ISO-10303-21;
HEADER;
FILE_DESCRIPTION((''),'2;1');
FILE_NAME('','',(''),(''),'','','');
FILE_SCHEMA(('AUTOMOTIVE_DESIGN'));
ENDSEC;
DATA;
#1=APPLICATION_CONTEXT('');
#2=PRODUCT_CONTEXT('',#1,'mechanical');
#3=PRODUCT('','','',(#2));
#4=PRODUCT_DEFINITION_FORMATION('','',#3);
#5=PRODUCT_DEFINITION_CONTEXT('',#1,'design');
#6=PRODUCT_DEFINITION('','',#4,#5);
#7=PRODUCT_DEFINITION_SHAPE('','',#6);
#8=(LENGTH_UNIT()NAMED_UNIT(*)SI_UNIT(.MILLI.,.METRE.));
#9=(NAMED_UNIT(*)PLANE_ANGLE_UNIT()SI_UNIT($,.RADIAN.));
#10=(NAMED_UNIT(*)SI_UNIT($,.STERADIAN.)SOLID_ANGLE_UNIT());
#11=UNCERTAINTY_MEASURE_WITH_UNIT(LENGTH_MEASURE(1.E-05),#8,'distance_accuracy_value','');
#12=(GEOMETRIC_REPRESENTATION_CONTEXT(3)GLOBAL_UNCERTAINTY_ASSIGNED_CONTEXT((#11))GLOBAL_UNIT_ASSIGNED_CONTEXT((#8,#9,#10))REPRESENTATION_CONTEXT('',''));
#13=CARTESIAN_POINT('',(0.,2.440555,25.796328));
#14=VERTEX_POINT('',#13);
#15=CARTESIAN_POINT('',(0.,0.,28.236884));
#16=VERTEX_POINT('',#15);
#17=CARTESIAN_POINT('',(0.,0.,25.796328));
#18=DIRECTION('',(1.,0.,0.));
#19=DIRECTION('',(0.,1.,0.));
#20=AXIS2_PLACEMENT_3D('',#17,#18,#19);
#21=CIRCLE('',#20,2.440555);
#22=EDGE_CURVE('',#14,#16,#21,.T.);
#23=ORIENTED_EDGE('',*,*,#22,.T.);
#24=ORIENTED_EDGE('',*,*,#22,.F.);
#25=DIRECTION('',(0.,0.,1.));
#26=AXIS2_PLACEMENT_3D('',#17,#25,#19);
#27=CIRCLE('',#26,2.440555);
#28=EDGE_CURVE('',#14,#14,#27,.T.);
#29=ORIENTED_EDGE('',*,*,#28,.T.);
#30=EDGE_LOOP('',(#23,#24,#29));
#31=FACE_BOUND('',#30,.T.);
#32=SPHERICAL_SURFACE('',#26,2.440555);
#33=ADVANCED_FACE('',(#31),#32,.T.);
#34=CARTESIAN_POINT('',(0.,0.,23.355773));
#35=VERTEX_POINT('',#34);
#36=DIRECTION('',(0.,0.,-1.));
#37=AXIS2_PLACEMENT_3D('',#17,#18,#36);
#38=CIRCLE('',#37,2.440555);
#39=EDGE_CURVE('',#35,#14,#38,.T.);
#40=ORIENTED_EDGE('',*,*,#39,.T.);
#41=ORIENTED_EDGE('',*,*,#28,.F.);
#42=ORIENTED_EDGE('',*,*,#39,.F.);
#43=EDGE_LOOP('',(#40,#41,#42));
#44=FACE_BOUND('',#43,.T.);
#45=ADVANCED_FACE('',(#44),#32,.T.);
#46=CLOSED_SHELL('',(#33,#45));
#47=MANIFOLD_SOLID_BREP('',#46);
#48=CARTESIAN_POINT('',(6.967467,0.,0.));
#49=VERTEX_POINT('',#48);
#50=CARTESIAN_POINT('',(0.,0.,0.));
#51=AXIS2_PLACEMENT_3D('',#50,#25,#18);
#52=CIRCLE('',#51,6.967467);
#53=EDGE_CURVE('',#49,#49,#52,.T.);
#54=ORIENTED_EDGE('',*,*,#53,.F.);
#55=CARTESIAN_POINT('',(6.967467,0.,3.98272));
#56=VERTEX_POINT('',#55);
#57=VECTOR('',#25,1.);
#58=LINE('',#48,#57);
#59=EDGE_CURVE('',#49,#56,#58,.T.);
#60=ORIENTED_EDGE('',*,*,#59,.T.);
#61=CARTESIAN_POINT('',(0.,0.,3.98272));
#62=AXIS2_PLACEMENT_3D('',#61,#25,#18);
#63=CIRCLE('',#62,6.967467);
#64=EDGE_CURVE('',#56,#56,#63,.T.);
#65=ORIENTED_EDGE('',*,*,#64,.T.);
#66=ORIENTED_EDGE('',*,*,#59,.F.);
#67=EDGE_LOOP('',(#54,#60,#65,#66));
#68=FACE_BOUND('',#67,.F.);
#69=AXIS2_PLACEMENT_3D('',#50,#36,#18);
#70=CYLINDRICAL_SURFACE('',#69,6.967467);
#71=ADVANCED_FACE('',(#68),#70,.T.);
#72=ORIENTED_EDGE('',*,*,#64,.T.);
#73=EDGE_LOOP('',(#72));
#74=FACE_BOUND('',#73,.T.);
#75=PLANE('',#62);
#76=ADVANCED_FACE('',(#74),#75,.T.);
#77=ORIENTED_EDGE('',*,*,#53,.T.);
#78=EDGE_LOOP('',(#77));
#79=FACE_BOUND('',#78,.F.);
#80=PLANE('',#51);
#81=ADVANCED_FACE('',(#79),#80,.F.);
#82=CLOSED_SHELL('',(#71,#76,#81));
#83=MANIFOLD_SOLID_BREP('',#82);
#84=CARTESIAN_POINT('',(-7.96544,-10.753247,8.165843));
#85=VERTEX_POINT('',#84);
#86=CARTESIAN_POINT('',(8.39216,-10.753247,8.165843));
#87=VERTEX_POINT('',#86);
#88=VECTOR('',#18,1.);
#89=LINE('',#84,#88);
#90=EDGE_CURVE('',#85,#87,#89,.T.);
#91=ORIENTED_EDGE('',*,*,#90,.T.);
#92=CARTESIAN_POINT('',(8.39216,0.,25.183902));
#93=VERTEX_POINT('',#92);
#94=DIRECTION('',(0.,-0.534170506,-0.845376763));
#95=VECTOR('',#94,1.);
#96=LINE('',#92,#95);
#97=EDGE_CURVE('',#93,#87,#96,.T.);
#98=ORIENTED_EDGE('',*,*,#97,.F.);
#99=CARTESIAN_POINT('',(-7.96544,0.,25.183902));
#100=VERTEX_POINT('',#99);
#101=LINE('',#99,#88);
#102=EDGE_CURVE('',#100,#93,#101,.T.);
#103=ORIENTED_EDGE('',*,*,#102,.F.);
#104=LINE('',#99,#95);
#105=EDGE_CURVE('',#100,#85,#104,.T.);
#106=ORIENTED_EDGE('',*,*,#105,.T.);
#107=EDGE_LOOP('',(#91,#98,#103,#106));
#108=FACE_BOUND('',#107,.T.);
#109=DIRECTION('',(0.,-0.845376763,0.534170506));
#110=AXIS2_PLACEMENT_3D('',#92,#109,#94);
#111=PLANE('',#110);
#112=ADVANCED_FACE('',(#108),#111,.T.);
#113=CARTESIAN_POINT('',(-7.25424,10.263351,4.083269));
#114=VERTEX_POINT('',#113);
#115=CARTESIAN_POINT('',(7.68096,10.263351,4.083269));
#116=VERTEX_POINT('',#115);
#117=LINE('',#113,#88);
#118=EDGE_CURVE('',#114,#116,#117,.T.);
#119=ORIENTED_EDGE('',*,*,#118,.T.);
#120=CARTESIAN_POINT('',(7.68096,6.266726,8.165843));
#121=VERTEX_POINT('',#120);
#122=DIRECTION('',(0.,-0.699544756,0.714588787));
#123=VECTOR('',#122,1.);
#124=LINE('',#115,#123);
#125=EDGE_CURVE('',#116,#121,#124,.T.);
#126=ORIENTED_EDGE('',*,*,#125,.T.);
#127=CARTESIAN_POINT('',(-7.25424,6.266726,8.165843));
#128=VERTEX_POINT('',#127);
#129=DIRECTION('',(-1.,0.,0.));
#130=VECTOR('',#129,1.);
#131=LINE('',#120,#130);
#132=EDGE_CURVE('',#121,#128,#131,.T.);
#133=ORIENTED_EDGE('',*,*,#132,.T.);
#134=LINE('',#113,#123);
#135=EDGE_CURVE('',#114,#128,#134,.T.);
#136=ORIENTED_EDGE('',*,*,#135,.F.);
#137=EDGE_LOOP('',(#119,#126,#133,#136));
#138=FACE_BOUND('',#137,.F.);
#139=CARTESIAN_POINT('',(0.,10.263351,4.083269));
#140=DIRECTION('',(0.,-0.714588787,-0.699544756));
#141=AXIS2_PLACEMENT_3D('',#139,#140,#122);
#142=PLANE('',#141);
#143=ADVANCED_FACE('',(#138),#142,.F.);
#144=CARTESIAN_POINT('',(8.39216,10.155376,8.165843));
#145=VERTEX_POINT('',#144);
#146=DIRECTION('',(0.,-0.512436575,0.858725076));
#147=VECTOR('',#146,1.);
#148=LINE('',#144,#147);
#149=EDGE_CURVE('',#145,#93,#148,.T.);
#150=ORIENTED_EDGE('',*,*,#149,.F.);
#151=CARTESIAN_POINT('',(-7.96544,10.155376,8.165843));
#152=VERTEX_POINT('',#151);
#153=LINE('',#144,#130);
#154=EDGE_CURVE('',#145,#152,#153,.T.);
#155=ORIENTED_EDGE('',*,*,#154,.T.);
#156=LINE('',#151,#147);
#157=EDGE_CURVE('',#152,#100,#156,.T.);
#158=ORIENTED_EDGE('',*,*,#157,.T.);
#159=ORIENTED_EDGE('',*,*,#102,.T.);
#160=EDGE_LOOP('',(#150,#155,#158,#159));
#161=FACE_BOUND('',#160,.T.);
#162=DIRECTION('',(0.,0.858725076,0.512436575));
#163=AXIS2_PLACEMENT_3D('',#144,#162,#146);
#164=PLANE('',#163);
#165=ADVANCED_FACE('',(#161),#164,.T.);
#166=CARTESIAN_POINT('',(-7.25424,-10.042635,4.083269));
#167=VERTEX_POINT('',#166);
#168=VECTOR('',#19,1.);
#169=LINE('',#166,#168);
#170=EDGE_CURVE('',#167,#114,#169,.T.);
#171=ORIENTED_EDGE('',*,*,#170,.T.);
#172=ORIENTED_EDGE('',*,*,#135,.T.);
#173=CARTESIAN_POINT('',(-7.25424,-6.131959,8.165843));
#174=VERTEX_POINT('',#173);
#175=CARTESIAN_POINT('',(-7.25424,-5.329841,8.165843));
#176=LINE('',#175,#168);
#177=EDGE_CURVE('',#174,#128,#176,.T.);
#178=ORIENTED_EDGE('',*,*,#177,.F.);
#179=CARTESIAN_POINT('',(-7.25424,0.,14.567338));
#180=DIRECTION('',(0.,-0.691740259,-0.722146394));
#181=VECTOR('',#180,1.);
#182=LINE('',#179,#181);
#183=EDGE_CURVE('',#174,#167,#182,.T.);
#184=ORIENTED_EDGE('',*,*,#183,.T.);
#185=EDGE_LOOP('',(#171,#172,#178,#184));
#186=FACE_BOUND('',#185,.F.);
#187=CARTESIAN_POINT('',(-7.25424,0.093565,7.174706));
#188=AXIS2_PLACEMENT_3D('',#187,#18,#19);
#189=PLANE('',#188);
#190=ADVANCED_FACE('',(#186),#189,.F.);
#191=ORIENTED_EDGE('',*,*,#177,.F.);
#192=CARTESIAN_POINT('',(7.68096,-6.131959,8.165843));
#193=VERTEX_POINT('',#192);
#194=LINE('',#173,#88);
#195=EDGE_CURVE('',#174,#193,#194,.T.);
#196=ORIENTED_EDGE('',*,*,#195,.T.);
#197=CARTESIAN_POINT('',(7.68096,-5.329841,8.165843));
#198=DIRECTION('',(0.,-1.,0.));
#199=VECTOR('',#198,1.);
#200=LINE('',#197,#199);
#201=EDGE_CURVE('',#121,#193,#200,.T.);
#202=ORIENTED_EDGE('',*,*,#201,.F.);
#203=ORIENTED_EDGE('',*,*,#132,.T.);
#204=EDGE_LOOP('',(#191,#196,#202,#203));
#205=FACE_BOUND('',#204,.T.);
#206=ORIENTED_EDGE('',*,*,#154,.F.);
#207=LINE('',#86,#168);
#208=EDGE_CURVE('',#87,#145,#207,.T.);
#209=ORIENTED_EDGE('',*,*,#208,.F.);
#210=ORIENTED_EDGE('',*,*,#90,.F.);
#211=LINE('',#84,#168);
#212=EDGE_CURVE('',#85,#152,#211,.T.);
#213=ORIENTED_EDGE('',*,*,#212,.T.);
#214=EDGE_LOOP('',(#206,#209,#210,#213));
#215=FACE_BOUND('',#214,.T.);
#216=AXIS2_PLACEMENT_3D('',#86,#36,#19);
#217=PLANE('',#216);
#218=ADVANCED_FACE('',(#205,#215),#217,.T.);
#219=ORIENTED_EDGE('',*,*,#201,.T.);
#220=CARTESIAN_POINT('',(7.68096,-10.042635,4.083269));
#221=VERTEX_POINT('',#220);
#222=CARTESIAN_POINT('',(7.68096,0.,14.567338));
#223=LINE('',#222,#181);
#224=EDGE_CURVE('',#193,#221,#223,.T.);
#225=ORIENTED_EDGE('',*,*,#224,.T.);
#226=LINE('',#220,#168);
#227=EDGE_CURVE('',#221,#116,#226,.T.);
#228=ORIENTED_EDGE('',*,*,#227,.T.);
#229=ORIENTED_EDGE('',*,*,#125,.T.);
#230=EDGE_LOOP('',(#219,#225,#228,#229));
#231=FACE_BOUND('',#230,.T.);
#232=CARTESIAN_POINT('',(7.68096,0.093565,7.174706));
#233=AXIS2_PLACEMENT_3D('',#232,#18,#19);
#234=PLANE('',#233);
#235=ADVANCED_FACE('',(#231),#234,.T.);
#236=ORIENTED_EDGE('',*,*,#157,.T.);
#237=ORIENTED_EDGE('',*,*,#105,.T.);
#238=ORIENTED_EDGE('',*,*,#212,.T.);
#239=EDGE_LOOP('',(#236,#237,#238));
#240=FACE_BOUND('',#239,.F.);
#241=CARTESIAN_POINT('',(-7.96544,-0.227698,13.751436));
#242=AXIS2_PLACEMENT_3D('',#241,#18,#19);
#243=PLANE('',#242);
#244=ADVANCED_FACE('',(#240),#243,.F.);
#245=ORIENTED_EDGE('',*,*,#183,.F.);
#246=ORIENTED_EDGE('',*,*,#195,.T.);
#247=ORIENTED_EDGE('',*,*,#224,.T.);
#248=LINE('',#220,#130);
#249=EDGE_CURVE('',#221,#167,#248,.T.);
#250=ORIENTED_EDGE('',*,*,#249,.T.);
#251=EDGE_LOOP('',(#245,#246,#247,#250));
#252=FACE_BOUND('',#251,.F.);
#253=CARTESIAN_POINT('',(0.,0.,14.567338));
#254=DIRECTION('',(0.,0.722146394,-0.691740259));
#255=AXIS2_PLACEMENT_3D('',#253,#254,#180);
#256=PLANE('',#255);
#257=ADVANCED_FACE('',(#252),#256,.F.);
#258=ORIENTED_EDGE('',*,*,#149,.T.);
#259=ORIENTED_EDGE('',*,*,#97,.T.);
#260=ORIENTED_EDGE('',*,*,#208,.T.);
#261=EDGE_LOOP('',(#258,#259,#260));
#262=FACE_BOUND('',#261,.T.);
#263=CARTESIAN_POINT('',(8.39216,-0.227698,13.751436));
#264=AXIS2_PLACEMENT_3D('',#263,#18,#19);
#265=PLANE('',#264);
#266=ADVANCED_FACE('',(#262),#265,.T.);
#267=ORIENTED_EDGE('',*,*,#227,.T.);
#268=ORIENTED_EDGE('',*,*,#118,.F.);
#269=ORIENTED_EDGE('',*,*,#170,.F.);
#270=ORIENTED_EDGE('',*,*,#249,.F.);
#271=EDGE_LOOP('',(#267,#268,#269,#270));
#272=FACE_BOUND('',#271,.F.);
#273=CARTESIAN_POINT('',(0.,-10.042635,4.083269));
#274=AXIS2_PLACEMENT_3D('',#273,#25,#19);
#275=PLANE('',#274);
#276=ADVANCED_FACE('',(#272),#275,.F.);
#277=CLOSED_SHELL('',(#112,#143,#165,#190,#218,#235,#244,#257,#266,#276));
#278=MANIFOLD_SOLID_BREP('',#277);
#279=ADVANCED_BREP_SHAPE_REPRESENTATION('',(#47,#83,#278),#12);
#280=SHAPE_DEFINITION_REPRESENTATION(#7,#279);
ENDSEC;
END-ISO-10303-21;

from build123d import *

# Parameters (mm, degrees)
F0_R      = 12.441905201
F1_DEPTH  = 7.112
F3_DEPTH  = 12.954
F4_DEPTH  = 13.716
F6_DEPTH  = 14.986
F7_DEPTH  = 29.21
F8_SCALE  = 0.8
F11_SCALE = 0.7


with BuildPart() as f1:
    # F0 (on Top) → F1 (new body)
    with BuildSketch(Plane.XY):
        Circle(F0_R)
    extrude(amount=F1_DEPTH)


with BuildPart() as f3:
    # F2 (on Right) → F3 (new body)
    with BuildSketch(Plane.YZ):
        Polygon((-17.9332774132, 7.2915516794), (18.3274131268, 7.2915516794), (0, 26.0131042451), align=None)
    extrude(amount=-F3_DEPTH)

    # F2 (on Right) → F4 (join)
    with BuildSketch(Plane.YZ):
        Polygon((-17.9332774132, 7.2915516794), (18.3274131268, 7.2915516794), (0, 26.0131042451), align=None)
    extrude(amount=F4_DEPTH)

    # F5 (on Right) → F6 (join)
    with BuildSketch(Plane.YZ):
        Polygon((-16.9714745134, 14.5818628371), (18.1345995516, 14.5818628371), (0, 44.9712537229), (-19.2022267729, 14.5818628371), align=None)
    extrude(amount=F6_DEPTH)

    # F7 (add): a face of the model
    f7_faces = [f3.faces().sort_by_distance(p)[0] for p in [
        (14.986, -0.3558757404, 24.711659799),
    ]]
    extrude(f7_faces, amount=-F7_DEPTH)


with BuildPart() as f3_1:
    # F8: moved
    add(f3.part.scale(F8_SCALE))


with BuildPart() as f1_1:
    # F8: moved
    add(f1.part.scale(F8_SCALE))


with BuildPart() as f10:
    # F9 (on Right) → F10 (revolve)
    with BuildSketch(Plane.YZ):
        with BuildLine():
            ThreePointArc((0, 33.3653904855), (2.46533299, 34.3865648457), (3.4865073503, 36.8518978357))
            ThreePointArc((3.4865073503, 36.8518978357), (2.46533299, 39.3172308258), (0, 40.338405186))
            Line((0, 40.338405186), (0, 33.3653904855))
        make_face()
    revolve(axis=Axis((0, 0, 36.8518978357), (0, 0, 1)))


with BuildPart() as f1_2:
    # F11: moved
    add(f1_1.part.scale(F11_SCALE))


with BuildPart() as f3_2:
    # F11: moved
    add(f3_1.part.scale(F11_SCALE))


with BuildPart() as f10_1:
    # F11: moved
    add(f10.part.scale(F11_SCALE))


solid = Compound([f1_2.part, f3_2.part, f10_1.part])
